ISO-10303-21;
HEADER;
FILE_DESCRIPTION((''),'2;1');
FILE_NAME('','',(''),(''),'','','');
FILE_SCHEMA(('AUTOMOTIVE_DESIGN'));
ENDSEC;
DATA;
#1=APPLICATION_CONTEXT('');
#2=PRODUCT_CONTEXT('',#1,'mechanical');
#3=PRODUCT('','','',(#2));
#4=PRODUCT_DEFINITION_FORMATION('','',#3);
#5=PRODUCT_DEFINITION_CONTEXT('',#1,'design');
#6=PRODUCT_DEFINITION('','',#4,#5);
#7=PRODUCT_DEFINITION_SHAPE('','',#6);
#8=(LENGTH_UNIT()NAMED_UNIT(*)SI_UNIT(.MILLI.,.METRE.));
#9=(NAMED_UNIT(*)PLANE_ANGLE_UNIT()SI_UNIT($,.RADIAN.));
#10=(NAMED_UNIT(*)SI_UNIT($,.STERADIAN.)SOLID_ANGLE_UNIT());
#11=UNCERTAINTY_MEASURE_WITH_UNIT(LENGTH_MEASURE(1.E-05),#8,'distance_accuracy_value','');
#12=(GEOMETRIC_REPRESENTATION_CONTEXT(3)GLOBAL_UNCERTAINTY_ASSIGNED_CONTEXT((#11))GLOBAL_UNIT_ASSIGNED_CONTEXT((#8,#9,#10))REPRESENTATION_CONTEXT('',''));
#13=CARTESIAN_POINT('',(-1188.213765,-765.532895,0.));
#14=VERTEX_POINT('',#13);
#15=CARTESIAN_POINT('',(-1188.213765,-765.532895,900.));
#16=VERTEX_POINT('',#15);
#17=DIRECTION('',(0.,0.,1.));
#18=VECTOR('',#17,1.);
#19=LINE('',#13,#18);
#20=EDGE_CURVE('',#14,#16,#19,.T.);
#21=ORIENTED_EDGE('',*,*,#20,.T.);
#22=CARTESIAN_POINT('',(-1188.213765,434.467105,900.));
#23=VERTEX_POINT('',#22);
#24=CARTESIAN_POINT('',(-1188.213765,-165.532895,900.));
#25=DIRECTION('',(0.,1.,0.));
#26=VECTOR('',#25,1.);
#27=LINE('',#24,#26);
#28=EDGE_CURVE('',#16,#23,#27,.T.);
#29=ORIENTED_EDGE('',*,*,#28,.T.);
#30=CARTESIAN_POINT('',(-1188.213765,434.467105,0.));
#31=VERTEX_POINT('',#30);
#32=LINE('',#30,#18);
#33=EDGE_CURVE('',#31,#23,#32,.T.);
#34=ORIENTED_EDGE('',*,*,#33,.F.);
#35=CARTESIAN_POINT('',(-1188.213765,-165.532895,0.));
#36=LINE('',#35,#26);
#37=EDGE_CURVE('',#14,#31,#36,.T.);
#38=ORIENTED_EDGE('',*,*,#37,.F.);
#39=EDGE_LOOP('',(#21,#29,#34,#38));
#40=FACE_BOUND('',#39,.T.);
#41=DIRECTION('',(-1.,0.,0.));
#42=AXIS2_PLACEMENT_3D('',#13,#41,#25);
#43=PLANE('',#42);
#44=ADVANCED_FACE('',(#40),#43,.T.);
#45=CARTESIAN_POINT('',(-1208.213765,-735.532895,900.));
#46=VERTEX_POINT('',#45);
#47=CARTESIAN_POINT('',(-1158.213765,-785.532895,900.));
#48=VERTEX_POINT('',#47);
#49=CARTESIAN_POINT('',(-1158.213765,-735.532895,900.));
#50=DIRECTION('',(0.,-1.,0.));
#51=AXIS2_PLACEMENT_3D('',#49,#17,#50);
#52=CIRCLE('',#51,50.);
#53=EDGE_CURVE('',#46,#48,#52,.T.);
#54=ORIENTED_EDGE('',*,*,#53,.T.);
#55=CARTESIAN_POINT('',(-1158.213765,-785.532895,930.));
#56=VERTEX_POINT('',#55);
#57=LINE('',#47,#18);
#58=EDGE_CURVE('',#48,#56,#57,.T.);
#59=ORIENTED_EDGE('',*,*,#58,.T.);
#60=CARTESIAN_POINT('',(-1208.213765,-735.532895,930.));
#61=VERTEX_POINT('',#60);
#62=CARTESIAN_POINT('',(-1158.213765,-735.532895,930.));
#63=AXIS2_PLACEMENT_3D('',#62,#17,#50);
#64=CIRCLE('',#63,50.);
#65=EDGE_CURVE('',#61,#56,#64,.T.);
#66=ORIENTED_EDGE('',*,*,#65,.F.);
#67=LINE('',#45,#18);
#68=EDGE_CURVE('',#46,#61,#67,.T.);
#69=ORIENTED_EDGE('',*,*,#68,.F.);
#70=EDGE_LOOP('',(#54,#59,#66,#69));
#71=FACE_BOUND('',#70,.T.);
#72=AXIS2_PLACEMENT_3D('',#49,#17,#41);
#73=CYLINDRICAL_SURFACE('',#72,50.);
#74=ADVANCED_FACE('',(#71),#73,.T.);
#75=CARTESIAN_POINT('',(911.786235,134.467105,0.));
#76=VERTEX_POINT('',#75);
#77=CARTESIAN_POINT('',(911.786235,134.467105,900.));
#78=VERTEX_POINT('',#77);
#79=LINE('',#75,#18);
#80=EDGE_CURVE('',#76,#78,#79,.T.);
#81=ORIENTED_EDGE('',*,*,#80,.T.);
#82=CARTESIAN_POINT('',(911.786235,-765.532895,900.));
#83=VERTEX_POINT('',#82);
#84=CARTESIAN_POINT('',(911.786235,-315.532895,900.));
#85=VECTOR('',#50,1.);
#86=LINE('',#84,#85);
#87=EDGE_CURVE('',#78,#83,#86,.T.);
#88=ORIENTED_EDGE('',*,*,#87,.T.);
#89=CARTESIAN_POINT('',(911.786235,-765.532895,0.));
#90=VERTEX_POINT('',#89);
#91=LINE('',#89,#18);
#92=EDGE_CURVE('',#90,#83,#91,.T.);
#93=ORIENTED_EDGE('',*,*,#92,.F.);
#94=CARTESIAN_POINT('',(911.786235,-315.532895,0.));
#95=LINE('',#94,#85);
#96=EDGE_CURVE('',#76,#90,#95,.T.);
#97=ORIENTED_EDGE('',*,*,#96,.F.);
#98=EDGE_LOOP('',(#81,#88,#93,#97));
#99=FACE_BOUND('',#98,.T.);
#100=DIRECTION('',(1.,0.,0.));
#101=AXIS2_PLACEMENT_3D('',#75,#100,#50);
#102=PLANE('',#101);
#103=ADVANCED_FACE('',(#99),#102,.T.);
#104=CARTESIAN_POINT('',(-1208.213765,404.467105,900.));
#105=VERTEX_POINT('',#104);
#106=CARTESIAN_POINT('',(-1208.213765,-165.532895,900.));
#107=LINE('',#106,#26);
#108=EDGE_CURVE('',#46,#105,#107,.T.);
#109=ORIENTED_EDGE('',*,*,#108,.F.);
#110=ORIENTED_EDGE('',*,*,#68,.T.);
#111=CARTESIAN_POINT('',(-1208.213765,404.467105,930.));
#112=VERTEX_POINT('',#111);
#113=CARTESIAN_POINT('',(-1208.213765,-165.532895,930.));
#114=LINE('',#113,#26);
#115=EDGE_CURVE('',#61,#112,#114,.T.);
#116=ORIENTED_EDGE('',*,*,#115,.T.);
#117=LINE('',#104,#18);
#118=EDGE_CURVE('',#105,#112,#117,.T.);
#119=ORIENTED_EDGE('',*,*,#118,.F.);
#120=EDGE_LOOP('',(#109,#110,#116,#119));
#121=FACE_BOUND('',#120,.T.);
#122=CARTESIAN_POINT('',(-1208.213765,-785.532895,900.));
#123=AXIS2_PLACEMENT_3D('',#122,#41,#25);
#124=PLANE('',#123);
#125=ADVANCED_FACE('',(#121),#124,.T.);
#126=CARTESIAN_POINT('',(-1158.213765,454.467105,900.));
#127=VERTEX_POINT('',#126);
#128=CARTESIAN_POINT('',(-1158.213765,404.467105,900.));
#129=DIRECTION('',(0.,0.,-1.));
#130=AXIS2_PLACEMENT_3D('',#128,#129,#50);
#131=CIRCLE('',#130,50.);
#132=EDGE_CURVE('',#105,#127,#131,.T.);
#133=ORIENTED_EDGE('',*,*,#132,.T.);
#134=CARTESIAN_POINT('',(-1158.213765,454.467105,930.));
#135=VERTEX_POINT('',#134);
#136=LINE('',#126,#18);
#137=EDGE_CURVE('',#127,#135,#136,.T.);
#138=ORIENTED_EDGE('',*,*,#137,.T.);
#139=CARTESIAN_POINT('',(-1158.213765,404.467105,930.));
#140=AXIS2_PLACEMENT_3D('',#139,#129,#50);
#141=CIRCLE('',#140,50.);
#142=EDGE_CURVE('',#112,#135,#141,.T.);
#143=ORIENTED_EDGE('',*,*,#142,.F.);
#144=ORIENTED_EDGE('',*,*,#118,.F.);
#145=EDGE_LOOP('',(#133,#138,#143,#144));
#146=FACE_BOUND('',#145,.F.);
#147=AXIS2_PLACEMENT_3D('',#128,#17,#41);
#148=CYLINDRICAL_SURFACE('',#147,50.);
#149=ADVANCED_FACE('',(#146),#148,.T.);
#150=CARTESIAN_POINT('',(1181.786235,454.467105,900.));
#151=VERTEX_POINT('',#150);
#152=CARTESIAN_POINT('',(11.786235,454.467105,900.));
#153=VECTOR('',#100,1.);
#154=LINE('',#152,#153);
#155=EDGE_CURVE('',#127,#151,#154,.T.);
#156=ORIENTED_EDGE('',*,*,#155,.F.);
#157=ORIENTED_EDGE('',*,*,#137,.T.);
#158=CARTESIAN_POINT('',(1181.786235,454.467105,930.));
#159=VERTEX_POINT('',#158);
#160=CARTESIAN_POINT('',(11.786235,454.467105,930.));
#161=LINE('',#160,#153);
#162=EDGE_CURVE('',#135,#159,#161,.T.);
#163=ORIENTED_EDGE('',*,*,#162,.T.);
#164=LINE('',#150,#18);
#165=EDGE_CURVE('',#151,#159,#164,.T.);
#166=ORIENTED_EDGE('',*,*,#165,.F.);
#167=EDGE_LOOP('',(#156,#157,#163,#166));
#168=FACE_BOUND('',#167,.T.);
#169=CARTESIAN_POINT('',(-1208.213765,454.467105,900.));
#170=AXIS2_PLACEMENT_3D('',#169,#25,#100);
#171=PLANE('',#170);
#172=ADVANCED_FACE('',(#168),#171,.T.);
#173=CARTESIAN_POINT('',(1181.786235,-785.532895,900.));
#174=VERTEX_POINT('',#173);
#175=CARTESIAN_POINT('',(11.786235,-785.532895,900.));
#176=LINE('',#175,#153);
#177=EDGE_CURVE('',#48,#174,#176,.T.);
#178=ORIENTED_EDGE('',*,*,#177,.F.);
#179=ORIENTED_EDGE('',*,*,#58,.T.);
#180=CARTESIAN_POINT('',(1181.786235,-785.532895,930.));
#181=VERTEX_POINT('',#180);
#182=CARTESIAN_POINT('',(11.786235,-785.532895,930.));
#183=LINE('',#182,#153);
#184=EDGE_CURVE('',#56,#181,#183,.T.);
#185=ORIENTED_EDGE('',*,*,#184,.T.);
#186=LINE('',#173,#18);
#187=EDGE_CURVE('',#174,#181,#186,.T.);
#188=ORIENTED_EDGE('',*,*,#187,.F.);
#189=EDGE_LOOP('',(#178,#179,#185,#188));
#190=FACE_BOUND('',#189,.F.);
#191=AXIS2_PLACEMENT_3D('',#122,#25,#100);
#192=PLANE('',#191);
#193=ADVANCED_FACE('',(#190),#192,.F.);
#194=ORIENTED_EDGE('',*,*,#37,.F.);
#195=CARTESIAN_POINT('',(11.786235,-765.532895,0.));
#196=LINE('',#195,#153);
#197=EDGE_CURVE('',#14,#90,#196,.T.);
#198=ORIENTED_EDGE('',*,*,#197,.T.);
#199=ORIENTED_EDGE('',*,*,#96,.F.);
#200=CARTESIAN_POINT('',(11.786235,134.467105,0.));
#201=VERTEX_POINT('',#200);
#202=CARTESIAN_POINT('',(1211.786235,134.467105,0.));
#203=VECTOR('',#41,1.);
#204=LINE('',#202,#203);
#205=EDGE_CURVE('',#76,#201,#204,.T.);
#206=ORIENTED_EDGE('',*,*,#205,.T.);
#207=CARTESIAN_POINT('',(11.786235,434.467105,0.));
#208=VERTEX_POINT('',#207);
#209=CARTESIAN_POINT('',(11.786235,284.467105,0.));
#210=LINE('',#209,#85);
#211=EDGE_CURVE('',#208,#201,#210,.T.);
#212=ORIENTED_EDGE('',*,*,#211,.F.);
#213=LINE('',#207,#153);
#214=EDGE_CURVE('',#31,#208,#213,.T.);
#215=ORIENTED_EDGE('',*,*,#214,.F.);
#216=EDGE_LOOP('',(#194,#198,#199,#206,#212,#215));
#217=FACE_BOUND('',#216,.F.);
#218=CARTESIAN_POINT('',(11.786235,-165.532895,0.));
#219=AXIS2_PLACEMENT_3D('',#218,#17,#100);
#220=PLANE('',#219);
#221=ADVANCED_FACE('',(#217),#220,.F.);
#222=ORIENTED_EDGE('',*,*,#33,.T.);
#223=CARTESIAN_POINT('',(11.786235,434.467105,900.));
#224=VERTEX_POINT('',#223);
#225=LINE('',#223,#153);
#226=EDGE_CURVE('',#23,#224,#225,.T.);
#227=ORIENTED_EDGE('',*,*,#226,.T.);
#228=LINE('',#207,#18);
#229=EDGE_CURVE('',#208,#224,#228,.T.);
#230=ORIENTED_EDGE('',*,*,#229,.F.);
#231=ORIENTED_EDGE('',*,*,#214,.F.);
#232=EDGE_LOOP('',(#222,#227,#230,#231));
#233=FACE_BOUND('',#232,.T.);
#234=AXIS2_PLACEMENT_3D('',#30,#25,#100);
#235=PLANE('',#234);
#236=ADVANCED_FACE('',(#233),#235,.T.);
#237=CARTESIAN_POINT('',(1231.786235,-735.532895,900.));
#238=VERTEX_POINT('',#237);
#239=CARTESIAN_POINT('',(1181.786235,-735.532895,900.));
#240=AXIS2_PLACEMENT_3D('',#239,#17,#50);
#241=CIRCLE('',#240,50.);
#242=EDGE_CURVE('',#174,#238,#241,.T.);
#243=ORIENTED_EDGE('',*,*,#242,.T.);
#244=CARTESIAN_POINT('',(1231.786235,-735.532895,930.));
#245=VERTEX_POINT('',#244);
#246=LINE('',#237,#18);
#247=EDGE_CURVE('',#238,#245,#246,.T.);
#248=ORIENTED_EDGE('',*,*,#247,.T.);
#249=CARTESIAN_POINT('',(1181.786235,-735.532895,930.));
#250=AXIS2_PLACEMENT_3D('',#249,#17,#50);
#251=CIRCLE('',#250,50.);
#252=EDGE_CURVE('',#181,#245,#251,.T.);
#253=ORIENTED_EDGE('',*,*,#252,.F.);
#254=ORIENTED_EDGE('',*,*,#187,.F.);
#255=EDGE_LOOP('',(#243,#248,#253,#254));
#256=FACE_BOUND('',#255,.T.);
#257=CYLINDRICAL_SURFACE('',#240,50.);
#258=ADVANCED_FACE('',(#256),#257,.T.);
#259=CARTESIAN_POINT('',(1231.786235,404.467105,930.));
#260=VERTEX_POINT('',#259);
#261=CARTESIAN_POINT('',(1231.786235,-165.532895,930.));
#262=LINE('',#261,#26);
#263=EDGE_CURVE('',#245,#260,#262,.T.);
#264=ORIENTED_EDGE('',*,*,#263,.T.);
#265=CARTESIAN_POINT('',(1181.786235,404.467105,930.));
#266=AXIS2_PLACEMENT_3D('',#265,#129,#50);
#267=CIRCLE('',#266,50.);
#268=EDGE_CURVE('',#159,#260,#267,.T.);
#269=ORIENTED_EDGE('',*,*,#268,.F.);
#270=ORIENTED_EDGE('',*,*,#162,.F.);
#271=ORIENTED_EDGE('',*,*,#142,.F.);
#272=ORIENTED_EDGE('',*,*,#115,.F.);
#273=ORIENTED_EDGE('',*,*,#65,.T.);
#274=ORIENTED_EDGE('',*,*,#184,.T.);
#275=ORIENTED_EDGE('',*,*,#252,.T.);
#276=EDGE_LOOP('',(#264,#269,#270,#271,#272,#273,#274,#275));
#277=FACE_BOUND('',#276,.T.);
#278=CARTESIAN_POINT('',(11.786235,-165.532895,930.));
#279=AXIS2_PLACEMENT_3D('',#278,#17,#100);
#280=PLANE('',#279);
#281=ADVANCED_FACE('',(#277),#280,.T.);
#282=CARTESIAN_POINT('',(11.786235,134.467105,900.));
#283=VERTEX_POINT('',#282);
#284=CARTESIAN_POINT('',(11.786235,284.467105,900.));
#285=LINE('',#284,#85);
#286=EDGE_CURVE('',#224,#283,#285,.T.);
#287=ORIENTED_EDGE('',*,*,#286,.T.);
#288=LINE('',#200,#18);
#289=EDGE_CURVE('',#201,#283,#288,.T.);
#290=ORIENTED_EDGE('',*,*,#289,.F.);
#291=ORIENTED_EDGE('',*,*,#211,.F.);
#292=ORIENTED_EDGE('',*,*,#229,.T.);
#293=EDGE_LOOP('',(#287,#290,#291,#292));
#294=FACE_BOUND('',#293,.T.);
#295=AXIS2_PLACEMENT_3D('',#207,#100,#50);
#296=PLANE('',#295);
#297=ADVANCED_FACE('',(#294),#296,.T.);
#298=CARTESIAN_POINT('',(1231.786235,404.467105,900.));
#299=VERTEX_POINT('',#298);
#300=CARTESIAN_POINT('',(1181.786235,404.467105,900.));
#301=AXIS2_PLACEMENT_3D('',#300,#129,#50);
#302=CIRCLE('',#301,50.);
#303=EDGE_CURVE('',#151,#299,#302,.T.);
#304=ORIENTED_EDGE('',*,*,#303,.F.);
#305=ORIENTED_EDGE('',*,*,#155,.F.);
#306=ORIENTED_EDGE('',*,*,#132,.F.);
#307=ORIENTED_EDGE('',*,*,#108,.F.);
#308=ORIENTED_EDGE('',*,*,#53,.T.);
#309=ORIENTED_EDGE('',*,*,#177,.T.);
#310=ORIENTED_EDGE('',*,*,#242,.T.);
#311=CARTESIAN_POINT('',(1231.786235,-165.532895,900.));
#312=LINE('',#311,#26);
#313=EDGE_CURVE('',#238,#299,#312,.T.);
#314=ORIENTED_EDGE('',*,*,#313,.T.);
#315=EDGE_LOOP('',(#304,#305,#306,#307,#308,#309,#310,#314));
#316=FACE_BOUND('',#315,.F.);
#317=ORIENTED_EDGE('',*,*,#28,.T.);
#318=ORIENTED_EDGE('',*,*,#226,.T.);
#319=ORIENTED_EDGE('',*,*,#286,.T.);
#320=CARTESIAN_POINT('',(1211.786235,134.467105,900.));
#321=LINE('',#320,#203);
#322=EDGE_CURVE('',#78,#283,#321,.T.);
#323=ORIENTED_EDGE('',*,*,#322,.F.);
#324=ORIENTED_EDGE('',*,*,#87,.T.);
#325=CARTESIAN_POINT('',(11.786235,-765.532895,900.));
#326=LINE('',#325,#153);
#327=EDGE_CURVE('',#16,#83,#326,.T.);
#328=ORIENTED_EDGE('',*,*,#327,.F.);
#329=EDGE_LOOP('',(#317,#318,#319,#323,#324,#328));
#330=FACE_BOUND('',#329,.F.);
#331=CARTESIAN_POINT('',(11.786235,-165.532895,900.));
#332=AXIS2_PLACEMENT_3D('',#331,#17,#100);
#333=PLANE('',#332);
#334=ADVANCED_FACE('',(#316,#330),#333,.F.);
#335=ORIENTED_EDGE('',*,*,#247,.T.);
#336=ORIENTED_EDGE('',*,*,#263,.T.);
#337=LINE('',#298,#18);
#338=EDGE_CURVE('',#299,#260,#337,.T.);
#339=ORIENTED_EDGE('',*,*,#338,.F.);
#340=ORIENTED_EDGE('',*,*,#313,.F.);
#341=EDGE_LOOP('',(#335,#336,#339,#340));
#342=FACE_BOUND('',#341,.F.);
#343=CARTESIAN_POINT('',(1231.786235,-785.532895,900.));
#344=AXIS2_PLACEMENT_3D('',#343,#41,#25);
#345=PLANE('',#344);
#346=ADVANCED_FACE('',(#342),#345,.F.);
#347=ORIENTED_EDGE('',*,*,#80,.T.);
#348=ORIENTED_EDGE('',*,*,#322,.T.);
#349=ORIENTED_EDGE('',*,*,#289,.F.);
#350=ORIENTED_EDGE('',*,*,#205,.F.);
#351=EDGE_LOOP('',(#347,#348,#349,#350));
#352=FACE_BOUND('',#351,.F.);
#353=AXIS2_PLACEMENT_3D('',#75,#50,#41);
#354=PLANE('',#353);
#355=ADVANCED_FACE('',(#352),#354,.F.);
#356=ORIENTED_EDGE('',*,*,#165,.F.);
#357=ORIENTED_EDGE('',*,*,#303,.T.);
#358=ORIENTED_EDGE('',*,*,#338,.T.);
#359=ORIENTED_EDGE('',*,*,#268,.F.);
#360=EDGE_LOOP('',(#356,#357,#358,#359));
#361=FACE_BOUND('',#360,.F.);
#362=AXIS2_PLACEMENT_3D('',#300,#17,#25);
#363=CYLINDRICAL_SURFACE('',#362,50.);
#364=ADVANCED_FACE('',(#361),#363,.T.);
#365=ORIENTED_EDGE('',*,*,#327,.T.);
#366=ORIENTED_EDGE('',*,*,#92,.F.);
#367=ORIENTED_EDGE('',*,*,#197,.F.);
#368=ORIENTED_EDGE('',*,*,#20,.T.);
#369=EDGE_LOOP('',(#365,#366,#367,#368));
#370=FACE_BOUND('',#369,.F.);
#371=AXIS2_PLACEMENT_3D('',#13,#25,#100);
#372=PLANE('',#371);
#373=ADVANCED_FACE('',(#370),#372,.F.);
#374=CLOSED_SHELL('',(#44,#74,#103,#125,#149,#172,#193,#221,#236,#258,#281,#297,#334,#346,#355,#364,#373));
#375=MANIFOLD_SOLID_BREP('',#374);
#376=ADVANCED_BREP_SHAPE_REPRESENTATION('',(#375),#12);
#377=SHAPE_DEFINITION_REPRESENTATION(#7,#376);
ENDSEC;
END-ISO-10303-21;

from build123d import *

# Parameters (mm, degrees)
F0_W     = 2400
F0_H     = 1200
F1_DEPTH = 900
F2_W     = 2440
F2_H     = 1240
F3_DEPTH = 30
F4_W     = 300
F4_H     = 300
F4_W_2   = 900
F4_H_2   = 900
F5_DEPTH = 900
F6_R     = 50


with BuildPart() as f1:
    # F0 (on Top) → F1 (new body)
    with BuildSketch(Plane.XY):
        with Locations((11.786235, -165.532895)):
            Rectangle(F0_W, F0_H)
    extrude(amount=F1_DEPTH)

    # F2 (on face) → F3 (join)
    with BuildSketch(Plane.XY.offset(900)):
        with Locations((11.786235, -165.532895)):
            Rectangle(F2_W, F2_H)
    extrude(amount=F3_DEPTH)

    # F4 (on face) → F5 (cut)
    with BuildSketch(Plane(origin=(0, 0, 0), x_dir=(1, 0, 0), z_dir=(0, 0, -1))):
        with Locations((1061.786235, -284.467105)):
            Rectangle(F4_W, F4_H)
        with Locations((461.786235, -284.467105)):
            Rectangle(F4_W_2, F4_H)
        with Locations((1061.786235, 315.532895)):
            Rectangle(F4_W, F4_H_2)
    extrude(amount=-F5_DEPTH, mode=Mode.SUBTRACT)

    # F6
    f6_edges = [f1.edges().sort_by_distance(p)[0] for p in [
        (1231.786235, 454.467105, 915),
        (1231.786235, -785.532895, 915),
        (-1208.213765, 454.467105, 915),
        (-1208.213765, -785.532895, 915),
    ]]
    fillet(f6_edges, radius=F6_R)


solid = f1.part
